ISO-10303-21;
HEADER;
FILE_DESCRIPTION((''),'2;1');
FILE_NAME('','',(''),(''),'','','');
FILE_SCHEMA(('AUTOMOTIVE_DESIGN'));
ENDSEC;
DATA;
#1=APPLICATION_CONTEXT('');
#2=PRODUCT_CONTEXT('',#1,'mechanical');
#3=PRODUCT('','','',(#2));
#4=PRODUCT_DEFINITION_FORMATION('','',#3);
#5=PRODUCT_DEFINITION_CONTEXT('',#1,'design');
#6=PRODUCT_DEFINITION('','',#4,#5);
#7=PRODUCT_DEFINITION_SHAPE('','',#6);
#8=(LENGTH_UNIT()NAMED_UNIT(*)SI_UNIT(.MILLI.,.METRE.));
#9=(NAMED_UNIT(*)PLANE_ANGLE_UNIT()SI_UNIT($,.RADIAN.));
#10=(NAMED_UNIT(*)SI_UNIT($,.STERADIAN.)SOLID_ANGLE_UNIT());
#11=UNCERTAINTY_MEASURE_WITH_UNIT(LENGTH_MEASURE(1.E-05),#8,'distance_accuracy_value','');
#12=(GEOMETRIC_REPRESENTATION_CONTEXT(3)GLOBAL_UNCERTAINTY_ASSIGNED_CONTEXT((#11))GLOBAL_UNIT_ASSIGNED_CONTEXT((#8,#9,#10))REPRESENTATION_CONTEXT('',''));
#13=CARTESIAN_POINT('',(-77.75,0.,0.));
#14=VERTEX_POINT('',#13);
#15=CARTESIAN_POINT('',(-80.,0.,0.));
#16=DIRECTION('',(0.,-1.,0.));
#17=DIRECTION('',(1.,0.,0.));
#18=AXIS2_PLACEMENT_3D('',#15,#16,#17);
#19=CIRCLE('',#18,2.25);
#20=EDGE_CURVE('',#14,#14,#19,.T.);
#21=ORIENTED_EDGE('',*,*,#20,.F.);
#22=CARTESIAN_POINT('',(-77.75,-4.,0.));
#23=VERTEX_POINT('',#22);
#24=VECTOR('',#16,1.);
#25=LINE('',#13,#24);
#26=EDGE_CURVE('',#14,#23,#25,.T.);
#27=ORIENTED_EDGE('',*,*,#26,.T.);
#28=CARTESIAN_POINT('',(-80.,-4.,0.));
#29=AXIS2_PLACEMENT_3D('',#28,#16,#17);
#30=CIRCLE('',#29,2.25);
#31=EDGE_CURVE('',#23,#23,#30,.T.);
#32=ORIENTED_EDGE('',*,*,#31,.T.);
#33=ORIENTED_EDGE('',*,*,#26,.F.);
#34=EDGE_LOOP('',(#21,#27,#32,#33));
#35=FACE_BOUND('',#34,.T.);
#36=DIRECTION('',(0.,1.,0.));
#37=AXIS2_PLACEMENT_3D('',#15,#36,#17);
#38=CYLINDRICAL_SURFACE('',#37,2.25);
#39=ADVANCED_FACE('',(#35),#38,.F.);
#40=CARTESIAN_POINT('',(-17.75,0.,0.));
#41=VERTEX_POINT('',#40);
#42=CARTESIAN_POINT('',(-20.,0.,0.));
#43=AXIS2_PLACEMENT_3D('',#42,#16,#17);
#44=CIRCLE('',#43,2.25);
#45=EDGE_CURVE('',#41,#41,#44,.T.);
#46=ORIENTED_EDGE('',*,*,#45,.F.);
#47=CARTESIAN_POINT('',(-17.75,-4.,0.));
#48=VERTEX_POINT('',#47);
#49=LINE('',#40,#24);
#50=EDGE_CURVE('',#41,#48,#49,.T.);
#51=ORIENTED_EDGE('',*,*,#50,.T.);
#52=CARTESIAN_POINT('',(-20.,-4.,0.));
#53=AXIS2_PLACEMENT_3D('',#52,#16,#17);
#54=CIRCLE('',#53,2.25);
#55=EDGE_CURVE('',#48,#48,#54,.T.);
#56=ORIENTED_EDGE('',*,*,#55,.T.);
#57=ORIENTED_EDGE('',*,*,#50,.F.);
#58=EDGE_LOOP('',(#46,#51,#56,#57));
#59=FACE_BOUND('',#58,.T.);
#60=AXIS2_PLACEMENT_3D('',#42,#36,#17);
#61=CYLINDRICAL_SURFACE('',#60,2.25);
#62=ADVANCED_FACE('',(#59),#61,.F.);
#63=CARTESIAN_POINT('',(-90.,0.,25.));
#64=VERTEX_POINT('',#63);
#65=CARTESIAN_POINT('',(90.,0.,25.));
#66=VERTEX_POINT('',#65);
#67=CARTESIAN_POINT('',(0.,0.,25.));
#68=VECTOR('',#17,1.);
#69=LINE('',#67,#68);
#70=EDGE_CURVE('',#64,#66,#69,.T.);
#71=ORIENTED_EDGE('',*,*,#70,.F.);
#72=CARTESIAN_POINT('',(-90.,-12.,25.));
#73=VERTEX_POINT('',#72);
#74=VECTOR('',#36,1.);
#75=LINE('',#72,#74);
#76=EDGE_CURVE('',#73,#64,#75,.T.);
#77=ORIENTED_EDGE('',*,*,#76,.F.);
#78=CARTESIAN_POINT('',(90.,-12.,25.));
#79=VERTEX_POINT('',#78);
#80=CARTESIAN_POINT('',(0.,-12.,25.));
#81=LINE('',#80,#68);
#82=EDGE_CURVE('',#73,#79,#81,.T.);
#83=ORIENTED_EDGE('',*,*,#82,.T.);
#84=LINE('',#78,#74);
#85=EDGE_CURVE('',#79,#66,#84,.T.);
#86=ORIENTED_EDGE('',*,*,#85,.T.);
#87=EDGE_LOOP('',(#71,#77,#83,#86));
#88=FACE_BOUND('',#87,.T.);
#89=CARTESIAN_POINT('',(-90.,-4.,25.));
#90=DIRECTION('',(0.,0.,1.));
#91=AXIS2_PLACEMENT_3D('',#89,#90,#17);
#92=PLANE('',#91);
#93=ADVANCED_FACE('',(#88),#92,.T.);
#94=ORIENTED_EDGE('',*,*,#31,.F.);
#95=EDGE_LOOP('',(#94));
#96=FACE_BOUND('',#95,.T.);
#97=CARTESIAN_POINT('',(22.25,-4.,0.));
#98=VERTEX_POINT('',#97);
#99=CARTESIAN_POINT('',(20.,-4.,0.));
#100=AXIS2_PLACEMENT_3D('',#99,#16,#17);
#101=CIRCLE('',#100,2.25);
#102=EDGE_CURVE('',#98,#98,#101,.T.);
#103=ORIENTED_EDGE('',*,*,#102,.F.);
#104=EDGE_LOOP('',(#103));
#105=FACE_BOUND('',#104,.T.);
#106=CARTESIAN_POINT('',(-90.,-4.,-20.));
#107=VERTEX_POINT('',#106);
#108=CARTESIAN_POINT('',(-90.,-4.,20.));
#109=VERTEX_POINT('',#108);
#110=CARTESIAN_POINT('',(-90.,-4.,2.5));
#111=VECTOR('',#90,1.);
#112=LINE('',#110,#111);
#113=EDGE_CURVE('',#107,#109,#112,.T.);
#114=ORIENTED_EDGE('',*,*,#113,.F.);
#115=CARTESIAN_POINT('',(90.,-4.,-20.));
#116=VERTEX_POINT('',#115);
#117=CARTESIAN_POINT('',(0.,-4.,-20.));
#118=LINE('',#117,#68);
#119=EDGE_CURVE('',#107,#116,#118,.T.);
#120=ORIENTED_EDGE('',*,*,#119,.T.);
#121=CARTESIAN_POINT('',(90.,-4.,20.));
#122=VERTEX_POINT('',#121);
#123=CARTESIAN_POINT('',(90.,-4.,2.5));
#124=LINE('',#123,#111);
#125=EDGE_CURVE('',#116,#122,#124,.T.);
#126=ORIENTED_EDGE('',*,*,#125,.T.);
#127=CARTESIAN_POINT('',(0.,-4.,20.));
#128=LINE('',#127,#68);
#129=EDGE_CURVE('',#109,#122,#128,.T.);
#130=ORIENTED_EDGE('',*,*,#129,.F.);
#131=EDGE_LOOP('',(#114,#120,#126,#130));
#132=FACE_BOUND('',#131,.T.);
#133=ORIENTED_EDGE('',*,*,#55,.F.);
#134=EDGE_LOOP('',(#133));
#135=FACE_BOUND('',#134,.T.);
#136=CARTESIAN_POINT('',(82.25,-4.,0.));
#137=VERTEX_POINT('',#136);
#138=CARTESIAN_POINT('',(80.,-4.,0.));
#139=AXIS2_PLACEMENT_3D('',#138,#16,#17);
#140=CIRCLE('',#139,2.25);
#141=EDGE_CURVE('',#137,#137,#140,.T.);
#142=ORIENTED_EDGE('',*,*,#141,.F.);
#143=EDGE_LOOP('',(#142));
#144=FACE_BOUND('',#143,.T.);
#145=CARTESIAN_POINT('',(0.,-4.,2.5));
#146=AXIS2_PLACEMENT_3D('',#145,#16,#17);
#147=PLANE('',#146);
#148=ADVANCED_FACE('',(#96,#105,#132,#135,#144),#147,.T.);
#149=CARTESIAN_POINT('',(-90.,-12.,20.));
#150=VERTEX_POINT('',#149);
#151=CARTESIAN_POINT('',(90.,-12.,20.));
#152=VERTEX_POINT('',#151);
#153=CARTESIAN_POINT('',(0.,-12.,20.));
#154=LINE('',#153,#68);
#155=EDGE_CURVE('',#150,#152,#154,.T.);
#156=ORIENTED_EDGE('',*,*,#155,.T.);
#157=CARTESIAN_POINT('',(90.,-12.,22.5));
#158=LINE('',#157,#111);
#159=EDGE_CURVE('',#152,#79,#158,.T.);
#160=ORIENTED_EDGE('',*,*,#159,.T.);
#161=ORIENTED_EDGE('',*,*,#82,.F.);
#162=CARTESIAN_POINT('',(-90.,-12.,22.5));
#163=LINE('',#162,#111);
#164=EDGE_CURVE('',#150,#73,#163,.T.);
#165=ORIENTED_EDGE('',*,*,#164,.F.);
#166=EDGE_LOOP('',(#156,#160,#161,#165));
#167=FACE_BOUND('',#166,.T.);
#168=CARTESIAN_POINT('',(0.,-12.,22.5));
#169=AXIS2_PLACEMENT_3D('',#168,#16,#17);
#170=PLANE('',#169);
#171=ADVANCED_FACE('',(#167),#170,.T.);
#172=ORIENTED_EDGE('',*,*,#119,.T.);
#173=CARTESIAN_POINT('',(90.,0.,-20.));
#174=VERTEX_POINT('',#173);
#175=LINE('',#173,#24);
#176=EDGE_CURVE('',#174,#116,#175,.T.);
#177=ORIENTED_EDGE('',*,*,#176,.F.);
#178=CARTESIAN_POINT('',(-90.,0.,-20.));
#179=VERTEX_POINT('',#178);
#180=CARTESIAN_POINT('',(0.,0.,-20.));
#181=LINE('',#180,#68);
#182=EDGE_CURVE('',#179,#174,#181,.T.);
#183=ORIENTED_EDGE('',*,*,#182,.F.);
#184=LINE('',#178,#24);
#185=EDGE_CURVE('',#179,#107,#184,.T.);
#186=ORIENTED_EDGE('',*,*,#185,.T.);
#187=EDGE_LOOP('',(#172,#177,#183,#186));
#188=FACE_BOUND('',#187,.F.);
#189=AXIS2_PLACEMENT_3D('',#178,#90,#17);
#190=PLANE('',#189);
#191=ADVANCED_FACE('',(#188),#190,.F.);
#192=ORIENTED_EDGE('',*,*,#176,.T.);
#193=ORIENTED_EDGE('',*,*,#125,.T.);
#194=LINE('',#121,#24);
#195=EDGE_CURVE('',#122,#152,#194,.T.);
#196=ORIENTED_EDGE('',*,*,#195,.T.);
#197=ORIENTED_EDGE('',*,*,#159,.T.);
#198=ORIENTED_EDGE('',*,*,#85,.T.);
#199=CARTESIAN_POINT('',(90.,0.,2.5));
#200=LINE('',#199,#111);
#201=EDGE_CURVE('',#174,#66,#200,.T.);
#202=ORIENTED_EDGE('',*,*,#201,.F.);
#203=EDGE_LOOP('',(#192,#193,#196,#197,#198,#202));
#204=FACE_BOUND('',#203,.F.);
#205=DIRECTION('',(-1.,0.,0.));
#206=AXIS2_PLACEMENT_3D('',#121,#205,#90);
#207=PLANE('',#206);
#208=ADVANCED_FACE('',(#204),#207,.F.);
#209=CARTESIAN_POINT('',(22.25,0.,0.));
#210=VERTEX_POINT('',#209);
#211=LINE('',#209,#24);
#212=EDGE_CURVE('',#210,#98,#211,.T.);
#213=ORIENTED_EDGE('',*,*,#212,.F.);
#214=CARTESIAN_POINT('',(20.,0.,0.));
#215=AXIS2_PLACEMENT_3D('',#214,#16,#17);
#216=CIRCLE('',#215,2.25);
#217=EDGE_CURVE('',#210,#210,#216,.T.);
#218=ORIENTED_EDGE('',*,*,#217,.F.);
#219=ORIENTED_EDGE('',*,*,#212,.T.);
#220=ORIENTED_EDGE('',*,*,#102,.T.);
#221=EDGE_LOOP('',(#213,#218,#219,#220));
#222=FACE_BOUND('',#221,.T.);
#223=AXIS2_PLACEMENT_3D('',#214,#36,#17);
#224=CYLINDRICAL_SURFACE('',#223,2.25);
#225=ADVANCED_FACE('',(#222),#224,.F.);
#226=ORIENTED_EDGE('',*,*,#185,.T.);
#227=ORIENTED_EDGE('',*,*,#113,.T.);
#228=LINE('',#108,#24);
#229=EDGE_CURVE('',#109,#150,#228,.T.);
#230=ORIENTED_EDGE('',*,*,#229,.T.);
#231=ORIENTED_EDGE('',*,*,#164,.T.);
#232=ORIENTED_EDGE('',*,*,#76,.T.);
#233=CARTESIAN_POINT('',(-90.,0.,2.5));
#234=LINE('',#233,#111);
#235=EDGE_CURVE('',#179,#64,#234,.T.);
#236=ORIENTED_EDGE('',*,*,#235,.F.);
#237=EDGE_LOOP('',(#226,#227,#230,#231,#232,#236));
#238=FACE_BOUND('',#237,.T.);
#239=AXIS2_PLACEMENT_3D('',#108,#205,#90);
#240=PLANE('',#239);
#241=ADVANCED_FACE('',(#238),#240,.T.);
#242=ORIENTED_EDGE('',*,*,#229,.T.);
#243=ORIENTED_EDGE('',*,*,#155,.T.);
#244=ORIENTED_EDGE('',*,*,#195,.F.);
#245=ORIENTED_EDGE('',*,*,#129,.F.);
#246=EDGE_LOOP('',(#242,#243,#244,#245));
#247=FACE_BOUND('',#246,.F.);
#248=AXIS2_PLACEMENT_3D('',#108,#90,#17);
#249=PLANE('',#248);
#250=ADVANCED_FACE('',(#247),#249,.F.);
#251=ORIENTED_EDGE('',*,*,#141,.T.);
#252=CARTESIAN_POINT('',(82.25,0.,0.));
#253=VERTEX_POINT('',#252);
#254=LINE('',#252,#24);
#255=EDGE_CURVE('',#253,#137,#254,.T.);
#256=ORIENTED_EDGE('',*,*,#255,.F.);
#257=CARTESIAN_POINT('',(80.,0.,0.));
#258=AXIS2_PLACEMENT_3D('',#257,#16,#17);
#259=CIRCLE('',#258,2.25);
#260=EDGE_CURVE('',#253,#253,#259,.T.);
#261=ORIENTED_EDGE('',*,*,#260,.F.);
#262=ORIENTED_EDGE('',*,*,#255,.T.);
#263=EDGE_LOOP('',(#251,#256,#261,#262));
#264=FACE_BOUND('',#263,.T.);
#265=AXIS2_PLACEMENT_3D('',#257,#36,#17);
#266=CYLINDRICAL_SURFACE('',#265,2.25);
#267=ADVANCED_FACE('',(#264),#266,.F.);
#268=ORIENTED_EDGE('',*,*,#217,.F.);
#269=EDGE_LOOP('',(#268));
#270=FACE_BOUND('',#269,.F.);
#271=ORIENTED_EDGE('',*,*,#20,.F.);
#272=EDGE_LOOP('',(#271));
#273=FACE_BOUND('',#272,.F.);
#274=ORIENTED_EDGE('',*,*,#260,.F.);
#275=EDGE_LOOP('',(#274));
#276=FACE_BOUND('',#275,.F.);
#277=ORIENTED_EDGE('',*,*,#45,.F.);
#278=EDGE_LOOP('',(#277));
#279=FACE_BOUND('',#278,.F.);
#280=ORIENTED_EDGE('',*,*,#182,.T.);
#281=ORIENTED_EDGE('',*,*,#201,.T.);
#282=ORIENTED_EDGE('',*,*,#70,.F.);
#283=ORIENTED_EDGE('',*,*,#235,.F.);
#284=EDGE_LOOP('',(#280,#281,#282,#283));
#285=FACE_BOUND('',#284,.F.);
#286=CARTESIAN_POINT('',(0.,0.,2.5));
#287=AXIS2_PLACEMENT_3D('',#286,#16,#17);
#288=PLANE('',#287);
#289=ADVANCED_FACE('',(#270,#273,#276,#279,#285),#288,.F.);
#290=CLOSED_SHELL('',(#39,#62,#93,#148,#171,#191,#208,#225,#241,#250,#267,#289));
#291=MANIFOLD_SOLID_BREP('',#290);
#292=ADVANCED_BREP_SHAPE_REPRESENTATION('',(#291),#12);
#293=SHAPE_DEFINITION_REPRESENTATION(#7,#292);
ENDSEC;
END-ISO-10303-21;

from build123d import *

# Parameters (mm, degrees)
F0_W     = 180
F0_H     = 45
F0_R     = 2.25
F1_DEPTH = 4
F2_W     = 180
F2_H     = 5
F3_DEPTH = 8


with BuildPart() as f1:
    # F0 (on Front) → F1 (new body)
    with BuildSketch(Plane.XZ):
        with Locations((0, 2.5)):
            Rectangle(F0_W, F0_H)
        with Locations((-80, 0)):
            Circle(F0_R, mode=Mode.SUBTRACT)
        with Locations((-20, 0)):
            Circle(F0_R, mode=Mode.SUBTRACT)
        with Locations((20, 0)):
            Circle(F0_R, mode=Mode.SUBTRACT)
        with Locations((80, 0)):
            Circle(F0_R, mode=Mode.SUBTRACT)
    extrude(amount=F1_DEPTH)

    # F2 (on face) → F3 (join)
    with BuildSketch(Plane.XZ.offset(4)):
        with Locations((0, 22.5)):
            Rectangle(F2_W, F2_H)
    extrude(amount=F3_DEPTH)


solid = f1.part
